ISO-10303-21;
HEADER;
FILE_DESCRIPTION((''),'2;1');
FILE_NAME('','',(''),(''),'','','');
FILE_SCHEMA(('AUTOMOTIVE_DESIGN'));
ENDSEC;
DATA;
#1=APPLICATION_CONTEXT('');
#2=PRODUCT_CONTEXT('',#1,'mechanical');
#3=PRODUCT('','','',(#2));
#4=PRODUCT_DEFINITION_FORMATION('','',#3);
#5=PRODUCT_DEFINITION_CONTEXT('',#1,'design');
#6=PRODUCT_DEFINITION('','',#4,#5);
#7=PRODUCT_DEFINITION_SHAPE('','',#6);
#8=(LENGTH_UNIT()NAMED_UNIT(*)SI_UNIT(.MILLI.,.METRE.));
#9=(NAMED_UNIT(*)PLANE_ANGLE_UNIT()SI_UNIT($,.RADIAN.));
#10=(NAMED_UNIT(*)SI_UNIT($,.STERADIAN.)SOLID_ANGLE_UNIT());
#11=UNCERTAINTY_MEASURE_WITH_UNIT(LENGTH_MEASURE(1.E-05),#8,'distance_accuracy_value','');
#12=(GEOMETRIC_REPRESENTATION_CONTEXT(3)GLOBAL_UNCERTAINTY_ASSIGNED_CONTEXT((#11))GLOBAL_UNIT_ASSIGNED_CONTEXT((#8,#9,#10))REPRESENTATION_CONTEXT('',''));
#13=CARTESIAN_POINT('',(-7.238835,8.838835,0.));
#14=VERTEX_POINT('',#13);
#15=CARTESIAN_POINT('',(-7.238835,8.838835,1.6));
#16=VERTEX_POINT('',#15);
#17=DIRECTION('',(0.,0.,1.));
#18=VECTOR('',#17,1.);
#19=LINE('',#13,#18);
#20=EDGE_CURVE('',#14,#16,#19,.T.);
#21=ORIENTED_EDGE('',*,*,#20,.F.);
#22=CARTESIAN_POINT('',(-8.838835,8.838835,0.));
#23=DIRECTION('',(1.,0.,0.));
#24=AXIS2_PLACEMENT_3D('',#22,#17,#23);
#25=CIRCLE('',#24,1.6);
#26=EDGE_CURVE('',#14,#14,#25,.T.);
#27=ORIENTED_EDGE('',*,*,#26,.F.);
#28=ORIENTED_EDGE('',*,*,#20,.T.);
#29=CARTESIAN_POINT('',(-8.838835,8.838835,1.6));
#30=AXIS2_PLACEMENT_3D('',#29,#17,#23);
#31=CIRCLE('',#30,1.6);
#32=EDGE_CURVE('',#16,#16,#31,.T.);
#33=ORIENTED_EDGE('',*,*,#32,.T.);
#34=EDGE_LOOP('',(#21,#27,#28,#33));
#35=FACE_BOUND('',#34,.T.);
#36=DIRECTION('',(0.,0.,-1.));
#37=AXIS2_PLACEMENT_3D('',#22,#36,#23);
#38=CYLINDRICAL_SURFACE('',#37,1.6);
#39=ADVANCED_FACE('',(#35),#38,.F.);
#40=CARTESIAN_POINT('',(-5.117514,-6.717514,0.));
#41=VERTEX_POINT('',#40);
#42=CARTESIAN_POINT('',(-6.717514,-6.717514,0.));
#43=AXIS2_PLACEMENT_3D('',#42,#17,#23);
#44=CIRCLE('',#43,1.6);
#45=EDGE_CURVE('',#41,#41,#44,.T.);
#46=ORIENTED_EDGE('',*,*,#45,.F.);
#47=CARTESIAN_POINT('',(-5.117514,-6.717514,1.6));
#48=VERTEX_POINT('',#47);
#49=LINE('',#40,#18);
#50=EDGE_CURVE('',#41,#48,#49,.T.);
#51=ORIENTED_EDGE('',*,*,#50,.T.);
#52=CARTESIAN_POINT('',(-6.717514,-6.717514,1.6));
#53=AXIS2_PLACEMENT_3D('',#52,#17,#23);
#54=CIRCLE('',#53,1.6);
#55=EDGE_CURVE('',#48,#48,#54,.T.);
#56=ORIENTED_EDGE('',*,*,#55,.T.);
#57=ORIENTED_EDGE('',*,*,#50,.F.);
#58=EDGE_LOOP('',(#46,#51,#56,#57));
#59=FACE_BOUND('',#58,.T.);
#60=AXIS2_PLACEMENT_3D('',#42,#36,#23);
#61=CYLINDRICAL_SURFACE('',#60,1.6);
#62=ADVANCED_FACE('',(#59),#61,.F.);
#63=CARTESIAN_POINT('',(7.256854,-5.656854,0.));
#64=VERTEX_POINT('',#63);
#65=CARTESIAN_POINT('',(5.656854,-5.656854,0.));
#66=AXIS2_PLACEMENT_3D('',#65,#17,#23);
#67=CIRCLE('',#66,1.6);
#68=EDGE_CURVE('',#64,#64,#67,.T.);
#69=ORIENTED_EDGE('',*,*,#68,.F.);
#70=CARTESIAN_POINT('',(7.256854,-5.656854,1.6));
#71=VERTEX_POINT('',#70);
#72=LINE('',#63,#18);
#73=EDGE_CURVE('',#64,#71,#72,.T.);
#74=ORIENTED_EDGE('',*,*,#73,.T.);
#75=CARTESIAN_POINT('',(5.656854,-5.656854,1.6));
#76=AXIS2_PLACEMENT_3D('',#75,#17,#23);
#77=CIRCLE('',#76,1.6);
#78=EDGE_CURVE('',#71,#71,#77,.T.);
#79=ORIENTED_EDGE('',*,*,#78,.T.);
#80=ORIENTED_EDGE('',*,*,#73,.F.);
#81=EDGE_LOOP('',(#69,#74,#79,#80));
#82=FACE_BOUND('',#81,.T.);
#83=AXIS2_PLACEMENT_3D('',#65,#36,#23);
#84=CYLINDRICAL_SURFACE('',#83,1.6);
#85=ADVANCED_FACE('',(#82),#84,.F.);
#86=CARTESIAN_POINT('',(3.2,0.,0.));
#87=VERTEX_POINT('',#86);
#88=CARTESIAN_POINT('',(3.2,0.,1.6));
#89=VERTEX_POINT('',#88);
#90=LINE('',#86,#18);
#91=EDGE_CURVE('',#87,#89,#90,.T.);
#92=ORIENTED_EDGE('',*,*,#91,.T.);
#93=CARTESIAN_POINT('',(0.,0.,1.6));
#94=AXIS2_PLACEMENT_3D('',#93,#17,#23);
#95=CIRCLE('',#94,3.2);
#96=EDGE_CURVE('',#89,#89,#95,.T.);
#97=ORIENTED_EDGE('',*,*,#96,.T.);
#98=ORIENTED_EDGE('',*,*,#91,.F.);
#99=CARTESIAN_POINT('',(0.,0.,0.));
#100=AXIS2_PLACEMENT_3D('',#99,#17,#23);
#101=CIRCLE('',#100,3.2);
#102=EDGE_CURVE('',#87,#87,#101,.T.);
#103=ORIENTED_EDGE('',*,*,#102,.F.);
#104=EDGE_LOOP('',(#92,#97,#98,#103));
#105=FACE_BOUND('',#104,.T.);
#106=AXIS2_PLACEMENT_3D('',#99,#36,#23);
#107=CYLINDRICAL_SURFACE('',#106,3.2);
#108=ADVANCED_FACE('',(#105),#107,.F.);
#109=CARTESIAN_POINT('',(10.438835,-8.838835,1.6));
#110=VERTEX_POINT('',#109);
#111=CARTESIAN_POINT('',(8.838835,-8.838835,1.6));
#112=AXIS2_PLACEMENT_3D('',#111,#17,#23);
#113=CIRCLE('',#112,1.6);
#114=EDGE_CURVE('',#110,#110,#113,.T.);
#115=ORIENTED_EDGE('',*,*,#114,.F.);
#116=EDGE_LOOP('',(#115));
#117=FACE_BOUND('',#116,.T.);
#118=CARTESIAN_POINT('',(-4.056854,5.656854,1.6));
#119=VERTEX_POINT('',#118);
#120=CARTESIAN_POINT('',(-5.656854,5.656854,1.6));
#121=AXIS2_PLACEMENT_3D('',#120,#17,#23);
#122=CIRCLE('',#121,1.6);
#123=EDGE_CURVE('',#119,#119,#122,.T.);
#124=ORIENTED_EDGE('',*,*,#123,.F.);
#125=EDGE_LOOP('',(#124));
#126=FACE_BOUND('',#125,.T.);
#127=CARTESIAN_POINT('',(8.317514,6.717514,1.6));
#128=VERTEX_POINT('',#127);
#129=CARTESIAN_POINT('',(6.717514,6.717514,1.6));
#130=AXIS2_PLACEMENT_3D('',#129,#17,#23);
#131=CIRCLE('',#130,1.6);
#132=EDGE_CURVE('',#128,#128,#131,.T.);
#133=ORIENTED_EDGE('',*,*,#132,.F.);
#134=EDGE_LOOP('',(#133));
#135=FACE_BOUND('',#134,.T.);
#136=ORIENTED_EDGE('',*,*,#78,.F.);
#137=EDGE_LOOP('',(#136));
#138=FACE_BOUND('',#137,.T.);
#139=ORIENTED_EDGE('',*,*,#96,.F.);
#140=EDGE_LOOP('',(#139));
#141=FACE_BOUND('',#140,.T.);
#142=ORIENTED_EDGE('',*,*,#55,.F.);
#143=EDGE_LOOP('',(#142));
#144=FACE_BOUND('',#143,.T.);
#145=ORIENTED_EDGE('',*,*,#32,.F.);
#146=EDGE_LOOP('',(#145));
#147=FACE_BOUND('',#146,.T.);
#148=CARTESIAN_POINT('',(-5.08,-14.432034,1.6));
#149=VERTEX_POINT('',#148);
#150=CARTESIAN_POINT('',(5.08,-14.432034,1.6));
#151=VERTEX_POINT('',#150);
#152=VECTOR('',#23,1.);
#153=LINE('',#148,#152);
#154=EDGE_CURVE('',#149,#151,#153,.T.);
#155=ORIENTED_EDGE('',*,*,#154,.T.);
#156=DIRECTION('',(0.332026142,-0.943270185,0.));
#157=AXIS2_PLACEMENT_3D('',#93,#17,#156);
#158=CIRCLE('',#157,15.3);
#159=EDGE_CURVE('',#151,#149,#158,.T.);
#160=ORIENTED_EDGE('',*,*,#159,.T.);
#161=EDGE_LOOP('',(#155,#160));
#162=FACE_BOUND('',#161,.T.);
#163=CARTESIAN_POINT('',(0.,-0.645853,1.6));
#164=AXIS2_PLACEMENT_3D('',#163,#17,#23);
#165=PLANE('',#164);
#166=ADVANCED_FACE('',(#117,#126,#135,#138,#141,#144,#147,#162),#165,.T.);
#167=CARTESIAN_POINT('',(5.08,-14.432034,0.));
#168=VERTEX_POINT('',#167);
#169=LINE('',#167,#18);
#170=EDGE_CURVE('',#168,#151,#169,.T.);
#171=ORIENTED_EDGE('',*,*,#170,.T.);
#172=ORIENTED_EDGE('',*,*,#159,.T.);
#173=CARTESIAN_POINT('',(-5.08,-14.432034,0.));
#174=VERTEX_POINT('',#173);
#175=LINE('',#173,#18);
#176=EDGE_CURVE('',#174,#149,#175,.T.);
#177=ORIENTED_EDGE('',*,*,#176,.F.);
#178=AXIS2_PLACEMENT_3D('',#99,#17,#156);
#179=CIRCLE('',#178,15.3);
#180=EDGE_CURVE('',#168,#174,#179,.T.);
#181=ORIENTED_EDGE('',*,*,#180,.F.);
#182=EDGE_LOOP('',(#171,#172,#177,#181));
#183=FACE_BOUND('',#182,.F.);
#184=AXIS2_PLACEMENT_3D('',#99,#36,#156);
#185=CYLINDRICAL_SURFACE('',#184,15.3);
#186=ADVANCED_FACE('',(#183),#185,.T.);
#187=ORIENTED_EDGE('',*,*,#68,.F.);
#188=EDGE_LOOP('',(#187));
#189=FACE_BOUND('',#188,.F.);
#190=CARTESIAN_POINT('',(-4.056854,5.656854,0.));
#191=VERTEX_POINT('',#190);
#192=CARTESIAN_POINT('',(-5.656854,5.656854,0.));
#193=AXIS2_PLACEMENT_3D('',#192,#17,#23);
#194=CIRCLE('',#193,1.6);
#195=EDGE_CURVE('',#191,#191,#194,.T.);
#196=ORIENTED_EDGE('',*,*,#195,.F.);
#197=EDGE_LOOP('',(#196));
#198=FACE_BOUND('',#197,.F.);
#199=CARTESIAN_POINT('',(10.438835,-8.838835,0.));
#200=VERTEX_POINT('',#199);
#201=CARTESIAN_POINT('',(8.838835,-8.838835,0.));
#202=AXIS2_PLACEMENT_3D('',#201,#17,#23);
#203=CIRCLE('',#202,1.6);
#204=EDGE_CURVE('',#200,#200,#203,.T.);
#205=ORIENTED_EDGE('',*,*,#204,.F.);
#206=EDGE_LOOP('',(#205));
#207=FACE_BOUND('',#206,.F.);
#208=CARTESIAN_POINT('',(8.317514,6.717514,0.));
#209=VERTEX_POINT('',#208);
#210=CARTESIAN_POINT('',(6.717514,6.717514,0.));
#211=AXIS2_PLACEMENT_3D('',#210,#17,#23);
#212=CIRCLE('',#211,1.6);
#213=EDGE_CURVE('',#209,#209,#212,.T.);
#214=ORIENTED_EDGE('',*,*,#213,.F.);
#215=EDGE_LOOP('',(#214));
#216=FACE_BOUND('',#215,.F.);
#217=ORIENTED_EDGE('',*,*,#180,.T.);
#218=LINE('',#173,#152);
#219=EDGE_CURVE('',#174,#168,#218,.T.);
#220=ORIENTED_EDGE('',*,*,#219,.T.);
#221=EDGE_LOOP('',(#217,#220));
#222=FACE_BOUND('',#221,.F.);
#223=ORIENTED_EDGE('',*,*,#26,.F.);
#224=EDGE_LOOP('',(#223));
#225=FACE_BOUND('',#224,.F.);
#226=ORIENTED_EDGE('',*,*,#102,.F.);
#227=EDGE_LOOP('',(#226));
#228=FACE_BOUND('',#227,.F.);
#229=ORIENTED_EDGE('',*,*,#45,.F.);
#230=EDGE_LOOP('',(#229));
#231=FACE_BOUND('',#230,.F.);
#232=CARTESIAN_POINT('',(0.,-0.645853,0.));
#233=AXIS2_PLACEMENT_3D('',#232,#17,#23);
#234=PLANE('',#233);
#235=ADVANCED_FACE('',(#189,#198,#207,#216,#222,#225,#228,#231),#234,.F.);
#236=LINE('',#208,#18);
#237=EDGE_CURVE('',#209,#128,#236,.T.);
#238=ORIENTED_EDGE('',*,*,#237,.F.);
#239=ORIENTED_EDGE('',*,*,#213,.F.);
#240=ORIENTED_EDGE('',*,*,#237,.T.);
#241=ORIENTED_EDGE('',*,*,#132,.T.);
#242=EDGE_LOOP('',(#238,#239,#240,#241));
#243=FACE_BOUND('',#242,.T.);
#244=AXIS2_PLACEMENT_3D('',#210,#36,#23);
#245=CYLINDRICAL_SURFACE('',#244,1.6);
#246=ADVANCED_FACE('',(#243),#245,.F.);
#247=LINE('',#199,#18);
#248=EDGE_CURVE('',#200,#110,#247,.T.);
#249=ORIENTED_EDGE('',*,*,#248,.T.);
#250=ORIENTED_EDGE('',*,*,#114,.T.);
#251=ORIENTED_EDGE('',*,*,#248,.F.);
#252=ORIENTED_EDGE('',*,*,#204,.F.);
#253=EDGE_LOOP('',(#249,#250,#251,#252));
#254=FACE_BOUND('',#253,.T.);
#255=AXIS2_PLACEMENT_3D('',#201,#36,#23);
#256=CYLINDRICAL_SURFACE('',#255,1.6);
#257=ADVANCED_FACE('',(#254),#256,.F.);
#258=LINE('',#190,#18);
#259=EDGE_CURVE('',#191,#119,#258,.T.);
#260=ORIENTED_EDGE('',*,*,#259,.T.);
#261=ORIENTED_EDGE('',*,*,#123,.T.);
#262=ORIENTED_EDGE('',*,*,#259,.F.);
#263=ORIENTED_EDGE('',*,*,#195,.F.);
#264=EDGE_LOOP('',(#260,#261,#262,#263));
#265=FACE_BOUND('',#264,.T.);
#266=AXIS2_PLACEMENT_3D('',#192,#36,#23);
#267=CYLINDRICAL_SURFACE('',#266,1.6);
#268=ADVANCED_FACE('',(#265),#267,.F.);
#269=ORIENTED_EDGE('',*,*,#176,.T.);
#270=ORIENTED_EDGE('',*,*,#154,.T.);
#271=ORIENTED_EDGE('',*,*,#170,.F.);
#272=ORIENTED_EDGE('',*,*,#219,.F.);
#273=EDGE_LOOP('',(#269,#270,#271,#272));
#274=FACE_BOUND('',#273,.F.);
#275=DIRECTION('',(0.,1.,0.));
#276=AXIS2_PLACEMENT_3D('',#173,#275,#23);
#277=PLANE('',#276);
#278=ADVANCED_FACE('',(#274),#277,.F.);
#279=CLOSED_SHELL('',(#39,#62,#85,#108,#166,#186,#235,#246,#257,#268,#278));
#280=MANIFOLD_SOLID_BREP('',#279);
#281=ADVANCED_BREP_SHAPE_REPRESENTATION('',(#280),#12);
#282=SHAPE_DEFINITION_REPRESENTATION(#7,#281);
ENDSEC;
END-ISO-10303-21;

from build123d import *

# Parameters (mm, degrees)
F0_R     = 1.6
F0_R_2   = 3.2
F1_DEPTH = 1.6


with BuildPart() as f1:
    # F0 (on Top) → F1 (new body)
    with BuildSketch(Plane.XY):
        with BuildLine():
            Line((-5.08, -14.432034), (5.08, -14.432034))
            ThreePointArc((5.08, -14.432034), (0, 15.3), (-5.08, -14.432034))
        make_face()
        with Locations((-6.717514, -6.717514)):
            Circle(F0_R, mode=Mode.SUBTRACT)
        with Locations((8.838835, -8.838835)):
            Circle(F0_R, mode=Mode.SUBTRACT)
        with Locations((5.656854, -5.656854)):
            Circle(F0_R, mode=Mode.SUBTRACT)
        Circle(F0_R_2, mode=Mode.SUBTRACT)
        with Locations((-5.656854, 5.656854)):
            Circle(F0_R, mode=Mode.SUBTRACT)
        with Locations((-8.838835, 8.838835)):
            Circle(F0_R, mode=Mode.SUBTRACT)
        with Locations((6.717514, 6.717514)):
            Circle(F0_R, mode=Mode.SUBTRACT)
    extrude(amount=F1_DEPTH)


solid = f1.part
